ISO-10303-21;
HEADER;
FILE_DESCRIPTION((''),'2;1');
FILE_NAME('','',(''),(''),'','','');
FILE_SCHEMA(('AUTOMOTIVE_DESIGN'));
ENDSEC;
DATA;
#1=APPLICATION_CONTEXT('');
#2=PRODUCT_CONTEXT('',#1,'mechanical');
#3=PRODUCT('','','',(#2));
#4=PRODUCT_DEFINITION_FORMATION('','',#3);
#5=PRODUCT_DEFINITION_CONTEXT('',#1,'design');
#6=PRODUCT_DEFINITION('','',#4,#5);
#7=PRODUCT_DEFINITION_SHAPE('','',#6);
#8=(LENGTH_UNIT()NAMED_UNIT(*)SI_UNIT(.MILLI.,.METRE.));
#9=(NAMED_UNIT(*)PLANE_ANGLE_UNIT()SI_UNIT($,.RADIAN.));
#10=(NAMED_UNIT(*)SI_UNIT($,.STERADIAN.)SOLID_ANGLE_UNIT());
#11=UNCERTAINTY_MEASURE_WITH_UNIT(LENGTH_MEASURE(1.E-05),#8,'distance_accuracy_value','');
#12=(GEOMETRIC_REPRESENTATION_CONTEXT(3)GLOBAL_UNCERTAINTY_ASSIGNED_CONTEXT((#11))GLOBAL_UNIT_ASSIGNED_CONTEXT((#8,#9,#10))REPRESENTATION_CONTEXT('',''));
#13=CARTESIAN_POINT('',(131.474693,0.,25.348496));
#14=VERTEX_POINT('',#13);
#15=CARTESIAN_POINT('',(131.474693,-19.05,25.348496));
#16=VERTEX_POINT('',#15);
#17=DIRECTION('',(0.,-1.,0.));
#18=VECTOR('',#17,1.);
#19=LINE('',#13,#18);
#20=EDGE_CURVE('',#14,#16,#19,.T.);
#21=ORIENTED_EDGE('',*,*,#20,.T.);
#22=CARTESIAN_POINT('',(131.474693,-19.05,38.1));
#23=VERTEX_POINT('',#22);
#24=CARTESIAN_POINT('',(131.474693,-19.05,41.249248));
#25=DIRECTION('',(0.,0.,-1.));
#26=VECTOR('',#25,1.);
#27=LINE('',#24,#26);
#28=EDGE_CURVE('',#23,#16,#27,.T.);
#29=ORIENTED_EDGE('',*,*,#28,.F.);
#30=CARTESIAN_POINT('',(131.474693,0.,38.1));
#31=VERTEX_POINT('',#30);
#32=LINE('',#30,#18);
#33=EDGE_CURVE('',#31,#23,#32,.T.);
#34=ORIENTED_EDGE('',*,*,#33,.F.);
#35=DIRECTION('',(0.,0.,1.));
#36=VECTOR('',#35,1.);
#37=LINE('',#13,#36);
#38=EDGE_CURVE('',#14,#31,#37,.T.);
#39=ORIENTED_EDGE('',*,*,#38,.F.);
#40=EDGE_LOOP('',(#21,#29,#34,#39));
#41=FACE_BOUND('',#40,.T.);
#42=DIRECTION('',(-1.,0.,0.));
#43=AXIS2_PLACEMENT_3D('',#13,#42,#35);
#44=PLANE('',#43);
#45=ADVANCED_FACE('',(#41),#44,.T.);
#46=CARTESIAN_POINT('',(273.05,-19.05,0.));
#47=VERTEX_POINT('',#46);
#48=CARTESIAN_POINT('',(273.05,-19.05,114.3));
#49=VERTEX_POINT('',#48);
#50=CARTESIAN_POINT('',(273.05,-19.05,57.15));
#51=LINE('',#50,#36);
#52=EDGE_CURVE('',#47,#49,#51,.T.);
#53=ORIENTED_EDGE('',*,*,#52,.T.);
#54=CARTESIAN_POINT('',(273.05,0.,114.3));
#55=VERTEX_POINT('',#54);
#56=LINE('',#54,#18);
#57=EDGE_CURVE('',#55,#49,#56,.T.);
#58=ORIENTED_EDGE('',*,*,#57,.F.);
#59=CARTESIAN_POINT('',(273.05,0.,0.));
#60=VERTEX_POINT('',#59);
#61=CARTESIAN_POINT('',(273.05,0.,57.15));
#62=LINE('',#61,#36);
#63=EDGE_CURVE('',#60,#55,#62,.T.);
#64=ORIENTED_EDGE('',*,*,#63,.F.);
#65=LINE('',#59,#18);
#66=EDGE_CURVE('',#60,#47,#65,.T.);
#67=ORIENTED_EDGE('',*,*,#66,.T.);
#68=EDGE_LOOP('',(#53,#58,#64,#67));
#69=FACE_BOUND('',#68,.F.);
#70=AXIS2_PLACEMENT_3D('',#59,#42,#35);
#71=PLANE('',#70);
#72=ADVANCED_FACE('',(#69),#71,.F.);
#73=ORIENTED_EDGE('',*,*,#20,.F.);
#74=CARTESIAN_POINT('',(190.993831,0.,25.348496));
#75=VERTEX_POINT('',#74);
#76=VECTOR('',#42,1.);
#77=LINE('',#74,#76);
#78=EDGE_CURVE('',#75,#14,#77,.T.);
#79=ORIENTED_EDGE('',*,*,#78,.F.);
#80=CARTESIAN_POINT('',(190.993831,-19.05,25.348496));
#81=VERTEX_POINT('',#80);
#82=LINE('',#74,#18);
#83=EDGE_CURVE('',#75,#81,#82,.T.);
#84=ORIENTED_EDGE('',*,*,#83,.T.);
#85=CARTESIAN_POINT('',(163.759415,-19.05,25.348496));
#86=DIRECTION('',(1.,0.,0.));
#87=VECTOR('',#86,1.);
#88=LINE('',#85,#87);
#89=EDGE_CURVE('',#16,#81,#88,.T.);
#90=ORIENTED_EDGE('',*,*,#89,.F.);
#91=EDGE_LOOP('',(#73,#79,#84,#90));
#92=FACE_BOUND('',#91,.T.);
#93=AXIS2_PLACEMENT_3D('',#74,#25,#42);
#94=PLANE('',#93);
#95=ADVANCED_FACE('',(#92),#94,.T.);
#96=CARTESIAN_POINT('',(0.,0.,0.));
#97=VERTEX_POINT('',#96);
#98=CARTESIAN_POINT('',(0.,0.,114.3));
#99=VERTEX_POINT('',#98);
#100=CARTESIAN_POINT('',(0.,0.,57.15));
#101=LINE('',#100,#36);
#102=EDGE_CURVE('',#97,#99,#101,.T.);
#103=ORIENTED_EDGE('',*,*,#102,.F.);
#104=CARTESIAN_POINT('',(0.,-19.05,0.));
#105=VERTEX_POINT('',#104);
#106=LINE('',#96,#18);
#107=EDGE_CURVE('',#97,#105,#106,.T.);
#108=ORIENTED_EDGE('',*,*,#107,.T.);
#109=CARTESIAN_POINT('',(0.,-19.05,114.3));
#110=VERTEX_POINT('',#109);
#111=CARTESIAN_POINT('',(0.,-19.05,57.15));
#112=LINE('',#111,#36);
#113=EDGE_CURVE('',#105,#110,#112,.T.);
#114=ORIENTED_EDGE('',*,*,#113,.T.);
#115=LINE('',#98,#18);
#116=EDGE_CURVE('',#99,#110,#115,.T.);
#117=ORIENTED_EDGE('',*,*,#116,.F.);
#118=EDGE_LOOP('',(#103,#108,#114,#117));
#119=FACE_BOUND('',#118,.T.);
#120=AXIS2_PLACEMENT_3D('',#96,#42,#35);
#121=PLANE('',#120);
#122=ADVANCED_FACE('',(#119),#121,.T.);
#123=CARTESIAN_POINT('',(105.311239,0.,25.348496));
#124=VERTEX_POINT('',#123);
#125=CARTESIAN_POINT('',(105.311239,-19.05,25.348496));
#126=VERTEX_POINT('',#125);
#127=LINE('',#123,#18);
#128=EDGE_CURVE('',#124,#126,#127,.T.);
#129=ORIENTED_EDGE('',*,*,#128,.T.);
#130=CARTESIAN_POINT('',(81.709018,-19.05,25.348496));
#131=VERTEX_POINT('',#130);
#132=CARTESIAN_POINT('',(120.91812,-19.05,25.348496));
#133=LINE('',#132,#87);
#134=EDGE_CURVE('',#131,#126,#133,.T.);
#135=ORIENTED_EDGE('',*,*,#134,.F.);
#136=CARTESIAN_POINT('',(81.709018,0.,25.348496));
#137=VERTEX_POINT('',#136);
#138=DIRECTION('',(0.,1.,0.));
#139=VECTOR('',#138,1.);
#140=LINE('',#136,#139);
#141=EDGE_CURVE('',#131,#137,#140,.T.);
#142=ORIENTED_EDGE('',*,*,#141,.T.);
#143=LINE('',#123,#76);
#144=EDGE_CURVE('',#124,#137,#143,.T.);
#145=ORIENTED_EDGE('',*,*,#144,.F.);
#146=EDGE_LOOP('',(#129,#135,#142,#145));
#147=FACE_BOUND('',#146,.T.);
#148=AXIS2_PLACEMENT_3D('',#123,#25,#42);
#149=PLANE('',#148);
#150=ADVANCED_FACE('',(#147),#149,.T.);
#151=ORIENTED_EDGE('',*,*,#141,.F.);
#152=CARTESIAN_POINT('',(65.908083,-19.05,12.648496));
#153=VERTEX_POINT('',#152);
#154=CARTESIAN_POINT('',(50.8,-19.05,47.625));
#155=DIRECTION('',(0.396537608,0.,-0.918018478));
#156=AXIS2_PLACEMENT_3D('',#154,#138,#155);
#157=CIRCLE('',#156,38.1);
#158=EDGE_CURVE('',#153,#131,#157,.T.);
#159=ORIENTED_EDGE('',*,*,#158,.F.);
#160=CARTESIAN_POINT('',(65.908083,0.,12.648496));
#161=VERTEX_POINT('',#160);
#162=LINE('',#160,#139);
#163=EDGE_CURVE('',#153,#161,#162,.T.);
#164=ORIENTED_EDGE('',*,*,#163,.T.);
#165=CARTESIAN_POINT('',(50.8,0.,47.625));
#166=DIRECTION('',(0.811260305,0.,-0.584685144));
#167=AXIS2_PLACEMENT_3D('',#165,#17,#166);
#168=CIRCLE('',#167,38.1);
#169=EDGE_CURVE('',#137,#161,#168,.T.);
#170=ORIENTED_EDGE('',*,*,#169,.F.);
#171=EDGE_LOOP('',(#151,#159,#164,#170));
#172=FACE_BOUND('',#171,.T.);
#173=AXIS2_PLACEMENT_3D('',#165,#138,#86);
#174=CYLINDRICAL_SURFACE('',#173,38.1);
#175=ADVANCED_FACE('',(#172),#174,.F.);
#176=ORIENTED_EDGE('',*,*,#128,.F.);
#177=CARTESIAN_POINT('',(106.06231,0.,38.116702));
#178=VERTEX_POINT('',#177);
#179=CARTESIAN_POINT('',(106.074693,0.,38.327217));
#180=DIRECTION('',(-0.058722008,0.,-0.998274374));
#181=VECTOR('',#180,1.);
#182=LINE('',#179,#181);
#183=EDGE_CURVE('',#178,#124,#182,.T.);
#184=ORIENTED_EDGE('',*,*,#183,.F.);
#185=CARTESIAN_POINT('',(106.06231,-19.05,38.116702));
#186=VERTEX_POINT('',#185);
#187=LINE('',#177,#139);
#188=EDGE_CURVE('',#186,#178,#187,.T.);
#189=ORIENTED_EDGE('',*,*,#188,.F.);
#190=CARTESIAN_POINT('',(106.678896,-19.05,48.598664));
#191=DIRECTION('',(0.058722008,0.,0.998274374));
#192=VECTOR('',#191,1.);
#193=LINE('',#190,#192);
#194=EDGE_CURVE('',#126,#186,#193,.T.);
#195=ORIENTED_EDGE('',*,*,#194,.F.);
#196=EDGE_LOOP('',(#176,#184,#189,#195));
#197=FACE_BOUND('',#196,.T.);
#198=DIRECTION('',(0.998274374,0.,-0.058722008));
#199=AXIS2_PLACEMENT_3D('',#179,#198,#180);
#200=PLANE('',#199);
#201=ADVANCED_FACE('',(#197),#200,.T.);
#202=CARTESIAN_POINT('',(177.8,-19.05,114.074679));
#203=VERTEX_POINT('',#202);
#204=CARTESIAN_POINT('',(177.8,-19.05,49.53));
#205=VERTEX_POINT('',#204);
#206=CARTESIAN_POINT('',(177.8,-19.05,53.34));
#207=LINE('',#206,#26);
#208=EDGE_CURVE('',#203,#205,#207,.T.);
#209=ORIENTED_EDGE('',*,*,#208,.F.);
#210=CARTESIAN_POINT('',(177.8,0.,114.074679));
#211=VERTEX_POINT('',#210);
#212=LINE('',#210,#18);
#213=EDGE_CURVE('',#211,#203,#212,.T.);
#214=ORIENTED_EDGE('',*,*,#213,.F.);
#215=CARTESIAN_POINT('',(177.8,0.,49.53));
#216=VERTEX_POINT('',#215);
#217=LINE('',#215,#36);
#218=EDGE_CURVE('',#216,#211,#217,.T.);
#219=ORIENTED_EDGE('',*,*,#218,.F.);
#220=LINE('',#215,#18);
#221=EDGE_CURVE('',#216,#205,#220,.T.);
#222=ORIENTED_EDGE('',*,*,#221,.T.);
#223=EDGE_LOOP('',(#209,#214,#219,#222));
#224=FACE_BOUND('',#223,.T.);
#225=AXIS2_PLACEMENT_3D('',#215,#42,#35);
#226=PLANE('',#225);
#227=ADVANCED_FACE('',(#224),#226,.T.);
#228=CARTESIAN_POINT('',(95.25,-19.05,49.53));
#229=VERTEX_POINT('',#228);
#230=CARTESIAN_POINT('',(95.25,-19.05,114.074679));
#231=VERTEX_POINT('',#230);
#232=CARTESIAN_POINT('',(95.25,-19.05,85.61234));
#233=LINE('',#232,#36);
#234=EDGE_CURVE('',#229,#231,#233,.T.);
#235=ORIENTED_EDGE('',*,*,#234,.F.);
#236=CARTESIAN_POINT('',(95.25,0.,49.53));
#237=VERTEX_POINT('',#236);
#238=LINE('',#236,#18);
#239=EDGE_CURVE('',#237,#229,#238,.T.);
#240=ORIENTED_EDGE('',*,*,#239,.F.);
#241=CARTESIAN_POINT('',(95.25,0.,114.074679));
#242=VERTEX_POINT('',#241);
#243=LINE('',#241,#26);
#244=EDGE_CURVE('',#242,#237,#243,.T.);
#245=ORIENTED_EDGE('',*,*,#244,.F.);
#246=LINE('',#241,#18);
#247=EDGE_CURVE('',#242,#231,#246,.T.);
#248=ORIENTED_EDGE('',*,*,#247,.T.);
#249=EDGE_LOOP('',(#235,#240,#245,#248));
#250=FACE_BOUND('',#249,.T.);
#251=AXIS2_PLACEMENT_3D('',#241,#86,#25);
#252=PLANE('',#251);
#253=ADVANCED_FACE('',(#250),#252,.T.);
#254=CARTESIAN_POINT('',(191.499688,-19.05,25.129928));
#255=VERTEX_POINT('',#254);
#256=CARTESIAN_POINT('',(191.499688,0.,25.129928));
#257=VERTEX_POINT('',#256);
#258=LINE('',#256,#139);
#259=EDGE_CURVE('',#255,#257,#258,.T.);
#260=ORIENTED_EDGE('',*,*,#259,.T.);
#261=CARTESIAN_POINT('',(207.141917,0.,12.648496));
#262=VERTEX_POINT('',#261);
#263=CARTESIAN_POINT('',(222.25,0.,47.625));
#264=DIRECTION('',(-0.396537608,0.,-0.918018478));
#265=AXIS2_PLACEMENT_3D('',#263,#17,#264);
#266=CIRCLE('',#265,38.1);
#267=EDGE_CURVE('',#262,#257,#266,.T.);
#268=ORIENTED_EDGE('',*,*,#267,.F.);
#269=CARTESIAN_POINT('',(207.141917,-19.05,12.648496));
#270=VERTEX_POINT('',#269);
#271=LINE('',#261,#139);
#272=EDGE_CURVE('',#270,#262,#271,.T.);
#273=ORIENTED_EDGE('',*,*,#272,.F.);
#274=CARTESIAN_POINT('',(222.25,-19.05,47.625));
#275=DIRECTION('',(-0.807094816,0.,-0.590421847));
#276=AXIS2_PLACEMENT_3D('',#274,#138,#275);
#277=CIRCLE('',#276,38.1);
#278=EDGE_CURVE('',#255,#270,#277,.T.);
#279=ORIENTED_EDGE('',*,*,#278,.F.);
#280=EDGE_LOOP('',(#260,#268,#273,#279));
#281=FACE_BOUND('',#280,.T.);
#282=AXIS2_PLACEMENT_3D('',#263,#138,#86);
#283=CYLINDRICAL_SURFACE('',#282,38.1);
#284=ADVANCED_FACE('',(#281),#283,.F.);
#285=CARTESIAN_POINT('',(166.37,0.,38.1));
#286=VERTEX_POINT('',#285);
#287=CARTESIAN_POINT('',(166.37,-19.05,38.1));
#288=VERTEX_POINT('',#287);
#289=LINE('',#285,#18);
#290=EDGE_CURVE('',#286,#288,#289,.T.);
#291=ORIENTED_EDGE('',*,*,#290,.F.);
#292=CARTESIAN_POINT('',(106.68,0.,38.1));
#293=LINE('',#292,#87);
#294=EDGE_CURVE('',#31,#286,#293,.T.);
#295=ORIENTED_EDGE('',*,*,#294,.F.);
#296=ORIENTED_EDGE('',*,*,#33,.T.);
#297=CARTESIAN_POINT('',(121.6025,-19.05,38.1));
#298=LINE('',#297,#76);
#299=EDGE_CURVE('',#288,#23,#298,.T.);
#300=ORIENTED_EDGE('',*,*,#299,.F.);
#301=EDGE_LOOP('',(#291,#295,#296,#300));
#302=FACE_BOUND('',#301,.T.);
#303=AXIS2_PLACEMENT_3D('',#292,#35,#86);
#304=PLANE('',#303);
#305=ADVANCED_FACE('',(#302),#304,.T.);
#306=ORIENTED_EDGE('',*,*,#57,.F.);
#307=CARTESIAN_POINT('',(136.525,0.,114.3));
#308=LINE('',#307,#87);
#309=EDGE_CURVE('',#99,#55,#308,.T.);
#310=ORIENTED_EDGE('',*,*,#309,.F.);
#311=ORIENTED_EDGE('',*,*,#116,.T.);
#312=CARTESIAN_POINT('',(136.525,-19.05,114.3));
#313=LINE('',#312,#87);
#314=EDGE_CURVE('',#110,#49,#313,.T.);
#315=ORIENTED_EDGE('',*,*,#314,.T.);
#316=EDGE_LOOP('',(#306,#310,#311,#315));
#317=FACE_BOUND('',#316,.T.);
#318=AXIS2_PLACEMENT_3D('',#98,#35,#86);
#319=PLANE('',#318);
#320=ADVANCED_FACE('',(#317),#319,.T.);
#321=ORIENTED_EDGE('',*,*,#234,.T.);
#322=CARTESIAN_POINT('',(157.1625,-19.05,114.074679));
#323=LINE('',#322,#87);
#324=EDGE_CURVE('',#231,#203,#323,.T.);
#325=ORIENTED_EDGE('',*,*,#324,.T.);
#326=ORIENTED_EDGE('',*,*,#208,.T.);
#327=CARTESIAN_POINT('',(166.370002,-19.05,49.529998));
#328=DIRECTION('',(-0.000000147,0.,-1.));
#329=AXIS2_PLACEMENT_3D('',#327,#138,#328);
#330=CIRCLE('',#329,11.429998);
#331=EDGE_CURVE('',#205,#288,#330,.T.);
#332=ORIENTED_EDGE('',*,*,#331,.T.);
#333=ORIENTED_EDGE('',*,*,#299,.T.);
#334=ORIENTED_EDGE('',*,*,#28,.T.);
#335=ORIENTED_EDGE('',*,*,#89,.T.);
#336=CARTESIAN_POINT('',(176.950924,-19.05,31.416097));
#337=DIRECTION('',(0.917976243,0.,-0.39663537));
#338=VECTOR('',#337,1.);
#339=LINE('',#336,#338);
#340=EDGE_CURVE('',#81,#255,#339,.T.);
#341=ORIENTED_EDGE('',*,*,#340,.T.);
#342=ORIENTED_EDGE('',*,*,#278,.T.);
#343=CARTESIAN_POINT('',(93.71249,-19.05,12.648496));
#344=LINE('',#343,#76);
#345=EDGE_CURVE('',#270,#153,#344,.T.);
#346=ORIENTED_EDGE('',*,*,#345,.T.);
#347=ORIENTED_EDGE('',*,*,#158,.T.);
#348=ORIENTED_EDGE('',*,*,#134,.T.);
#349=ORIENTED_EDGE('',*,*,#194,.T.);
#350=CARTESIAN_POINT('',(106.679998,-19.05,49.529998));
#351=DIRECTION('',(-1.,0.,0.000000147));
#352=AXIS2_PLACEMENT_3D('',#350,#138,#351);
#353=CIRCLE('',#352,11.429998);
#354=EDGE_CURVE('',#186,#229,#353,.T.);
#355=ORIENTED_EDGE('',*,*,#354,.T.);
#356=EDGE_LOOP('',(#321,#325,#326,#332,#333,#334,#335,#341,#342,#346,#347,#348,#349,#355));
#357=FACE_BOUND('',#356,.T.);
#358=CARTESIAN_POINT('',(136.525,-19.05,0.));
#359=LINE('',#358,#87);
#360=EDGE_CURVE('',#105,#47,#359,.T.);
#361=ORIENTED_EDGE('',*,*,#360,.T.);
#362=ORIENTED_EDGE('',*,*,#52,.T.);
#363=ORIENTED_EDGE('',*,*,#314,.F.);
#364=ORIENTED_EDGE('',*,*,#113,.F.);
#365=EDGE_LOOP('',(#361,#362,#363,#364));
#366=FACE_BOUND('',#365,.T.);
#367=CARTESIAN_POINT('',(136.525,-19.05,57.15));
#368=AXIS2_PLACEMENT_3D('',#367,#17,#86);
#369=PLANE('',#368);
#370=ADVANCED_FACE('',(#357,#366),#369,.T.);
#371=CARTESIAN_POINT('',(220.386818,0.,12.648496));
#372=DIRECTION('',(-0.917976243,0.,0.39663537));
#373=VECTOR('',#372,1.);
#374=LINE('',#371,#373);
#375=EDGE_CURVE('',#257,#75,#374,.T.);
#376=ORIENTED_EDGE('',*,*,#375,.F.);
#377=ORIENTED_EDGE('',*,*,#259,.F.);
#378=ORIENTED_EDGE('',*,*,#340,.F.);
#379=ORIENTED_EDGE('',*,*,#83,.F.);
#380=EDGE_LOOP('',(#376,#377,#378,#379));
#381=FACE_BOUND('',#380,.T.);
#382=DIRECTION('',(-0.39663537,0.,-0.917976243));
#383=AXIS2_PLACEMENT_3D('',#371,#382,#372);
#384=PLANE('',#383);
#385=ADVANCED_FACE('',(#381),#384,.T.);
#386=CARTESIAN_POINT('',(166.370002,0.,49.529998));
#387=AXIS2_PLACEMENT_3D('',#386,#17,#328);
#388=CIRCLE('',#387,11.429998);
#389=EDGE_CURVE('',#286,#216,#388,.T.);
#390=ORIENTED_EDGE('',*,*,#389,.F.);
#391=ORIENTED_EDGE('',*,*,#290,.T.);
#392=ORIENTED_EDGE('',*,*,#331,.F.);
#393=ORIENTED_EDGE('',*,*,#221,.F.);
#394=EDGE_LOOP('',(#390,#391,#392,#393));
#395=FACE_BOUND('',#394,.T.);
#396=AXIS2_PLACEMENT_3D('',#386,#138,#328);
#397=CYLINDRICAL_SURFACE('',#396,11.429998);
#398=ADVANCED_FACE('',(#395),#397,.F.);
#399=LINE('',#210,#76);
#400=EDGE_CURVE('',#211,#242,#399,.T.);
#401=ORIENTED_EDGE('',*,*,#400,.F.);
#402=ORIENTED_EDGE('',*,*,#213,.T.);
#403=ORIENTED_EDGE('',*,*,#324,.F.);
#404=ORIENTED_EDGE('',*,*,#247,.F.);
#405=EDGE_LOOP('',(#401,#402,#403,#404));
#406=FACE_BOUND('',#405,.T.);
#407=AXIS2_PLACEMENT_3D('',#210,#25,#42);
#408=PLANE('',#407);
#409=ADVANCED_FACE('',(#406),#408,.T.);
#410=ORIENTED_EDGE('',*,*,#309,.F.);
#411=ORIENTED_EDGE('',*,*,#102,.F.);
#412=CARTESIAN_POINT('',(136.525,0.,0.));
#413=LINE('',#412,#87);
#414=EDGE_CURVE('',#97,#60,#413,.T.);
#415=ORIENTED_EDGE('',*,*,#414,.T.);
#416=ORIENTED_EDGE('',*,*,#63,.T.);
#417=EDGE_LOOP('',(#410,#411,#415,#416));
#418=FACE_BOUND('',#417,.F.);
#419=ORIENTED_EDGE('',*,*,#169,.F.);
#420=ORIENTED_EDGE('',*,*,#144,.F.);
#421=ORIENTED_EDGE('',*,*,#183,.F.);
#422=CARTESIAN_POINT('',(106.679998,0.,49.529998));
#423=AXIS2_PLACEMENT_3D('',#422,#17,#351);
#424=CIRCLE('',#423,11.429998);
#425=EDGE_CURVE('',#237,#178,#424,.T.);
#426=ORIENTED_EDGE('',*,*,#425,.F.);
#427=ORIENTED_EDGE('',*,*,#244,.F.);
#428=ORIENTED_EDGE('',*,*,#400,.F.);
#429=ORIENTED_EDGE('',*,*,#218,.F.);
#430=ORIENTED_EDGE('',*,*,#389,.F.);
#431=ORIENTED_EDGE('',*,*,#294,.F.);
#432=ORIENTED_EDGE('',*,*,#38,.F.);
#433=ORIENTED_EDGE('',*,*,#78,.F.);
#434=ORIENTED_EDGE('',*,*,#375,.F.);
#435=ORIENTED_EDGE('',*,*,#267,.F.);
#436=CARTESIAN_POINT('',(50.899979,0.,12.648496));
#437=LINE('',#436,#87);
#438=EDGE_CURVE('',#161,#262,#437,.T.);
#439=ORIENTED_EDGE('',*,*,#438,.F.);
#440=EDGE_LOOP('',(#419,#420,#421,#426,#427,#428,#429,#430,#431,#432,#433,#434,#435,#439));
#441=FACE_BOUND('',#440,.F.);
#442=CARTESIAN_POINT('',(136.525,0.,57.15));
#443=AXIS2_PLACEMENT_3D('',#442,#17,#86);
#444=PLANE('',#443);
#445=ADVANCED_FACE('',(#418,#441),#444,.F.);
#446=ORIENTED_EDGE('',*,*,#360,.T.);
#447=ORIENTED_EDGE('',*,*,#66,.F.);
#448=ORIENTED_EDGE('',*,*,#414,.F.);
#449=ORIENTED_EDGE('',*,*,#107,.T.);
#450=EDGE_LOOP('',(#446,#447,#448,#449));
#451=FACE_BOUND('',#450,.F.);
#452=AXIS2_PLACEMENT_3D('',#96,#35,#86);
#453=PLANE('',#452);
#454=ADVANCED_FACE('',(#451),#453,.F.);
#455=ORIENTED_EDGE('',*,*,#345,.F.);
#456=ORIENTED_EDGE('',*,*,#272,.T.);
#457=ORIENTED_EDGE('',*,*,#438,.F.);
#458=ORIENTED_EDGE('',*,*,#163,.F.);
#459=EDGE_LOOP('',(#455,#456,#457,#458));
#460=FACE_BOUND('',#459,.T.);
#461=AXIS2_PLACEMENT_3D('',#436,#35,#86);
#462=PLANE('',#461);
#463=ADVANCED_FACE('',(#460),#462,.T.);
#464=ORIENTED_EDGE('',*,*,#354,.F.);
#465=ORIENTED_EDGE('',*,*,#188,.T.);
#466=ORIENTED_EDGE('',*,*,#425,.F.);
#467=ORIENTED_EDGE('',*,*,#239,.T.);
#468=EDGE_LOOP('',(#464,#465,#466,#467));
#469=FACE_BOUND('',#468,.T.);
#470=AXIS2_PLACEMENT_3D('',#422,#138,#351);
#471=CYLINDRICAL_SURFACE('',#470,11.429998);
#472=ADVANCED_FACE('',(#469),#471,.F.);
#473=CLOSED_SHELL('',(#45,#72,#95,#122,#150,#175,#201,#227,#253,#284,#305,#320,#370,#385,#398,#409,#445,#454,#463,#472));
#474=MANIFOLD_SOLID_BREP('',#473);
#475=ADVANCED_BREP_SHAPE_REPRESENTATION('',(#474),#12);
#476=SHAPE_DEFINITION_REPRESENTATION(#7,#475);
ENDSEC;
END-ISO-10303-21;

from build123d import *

# Parameters (mm, degrees)
F0_W     = 273.05
F0_H     = 114.3
F1_DEPTH = 19.05
F2_R     = 38.1
F3_DEPTH = 25.4
F5_DEPTH = 25.4
F6_DEPTH = 25.4
F8_DEPTH = 25.4


with BuildPart() as f1:
    # F0 (on Front) → F1 (new body)
    with BuildSketch(Plane.XZ):
        with Locations((136.525, 57.15)):
            Rectangle(F0_W, F0_H)
    extrude(amount=F1_DEPTH)

    # F2 (on Front) → F3 (cut)
    with BuildSketch(Plane.XZ):
        with Locations((50.8, 47.625)):
            Circle(F2_R)
        with Locations((222.25, 47.625)):
            Circle(F2_R)
    extrude(amount=F3_DEPTH, mode=Mode.SUBTRACT)

    # F4 (on Front) → F5 (cut)
    with BuildSketch(Plane.XZ):
        with BuildLine():
            Line((177.8, 114.074679), (95.25, 114.074679))
            Line((95.25, 114.074679), (95.25, 49.53))
            ThreePointArc((95.25, 49.53), (98.597769, 41.447769), (106.68, 38.1))
            Line((106.68, 38.1), (166.37, 38.1))
            ThreePointArc((166.37, 38.1), (174.452231, 41.447769), (177.8, 49.53))
            Line((177.8, 49.53), (177.8, 114.074679))
        make_face()
    extrude(amount=-F5_DEPTH, mode=Mode.SUBTRACT)

    # F4 (on Front) → F6 (cut)
    with BuildSketch(Plane.XZ):
        with BuildLine():
            Line((177.8, 114.074679), (95.25, 114.074679))
            Line((95.25, 114.074679), (95.25, 49.53))
            ThreePointArc((95.25, 49.53), (98.597769, 41.447769), (106.68, 38.1))
            Line((106.68, 38.1), (166.37, 38.1))
            ThreePointArc((166.37, 38.1), (174.452231, 41.447769), (177.8, 49.53))
            Line((177.8, 49.53), (177.8, 114.074679))
        make_face()
    extrude(amount=F6_DEPTH, mode=Mode.SUBTRACT)

    # F7 (on Front) → F8 (cut)
    with BuildSketch(Plane.XZ):
        Polygon((131.474693, 38.327217), (106.074693, 38.327217), (105.311239, 25.348496), (79.911239, 25.348496), (50.899979, 12.648496), (220.386818, 12.648496), (190.993831, 25.348496), (131.474693, 25.348496), align=None)
    extrude(amount=F8_DEPTH, mode=Mode.SUBTRACT)


solid = f1.part
